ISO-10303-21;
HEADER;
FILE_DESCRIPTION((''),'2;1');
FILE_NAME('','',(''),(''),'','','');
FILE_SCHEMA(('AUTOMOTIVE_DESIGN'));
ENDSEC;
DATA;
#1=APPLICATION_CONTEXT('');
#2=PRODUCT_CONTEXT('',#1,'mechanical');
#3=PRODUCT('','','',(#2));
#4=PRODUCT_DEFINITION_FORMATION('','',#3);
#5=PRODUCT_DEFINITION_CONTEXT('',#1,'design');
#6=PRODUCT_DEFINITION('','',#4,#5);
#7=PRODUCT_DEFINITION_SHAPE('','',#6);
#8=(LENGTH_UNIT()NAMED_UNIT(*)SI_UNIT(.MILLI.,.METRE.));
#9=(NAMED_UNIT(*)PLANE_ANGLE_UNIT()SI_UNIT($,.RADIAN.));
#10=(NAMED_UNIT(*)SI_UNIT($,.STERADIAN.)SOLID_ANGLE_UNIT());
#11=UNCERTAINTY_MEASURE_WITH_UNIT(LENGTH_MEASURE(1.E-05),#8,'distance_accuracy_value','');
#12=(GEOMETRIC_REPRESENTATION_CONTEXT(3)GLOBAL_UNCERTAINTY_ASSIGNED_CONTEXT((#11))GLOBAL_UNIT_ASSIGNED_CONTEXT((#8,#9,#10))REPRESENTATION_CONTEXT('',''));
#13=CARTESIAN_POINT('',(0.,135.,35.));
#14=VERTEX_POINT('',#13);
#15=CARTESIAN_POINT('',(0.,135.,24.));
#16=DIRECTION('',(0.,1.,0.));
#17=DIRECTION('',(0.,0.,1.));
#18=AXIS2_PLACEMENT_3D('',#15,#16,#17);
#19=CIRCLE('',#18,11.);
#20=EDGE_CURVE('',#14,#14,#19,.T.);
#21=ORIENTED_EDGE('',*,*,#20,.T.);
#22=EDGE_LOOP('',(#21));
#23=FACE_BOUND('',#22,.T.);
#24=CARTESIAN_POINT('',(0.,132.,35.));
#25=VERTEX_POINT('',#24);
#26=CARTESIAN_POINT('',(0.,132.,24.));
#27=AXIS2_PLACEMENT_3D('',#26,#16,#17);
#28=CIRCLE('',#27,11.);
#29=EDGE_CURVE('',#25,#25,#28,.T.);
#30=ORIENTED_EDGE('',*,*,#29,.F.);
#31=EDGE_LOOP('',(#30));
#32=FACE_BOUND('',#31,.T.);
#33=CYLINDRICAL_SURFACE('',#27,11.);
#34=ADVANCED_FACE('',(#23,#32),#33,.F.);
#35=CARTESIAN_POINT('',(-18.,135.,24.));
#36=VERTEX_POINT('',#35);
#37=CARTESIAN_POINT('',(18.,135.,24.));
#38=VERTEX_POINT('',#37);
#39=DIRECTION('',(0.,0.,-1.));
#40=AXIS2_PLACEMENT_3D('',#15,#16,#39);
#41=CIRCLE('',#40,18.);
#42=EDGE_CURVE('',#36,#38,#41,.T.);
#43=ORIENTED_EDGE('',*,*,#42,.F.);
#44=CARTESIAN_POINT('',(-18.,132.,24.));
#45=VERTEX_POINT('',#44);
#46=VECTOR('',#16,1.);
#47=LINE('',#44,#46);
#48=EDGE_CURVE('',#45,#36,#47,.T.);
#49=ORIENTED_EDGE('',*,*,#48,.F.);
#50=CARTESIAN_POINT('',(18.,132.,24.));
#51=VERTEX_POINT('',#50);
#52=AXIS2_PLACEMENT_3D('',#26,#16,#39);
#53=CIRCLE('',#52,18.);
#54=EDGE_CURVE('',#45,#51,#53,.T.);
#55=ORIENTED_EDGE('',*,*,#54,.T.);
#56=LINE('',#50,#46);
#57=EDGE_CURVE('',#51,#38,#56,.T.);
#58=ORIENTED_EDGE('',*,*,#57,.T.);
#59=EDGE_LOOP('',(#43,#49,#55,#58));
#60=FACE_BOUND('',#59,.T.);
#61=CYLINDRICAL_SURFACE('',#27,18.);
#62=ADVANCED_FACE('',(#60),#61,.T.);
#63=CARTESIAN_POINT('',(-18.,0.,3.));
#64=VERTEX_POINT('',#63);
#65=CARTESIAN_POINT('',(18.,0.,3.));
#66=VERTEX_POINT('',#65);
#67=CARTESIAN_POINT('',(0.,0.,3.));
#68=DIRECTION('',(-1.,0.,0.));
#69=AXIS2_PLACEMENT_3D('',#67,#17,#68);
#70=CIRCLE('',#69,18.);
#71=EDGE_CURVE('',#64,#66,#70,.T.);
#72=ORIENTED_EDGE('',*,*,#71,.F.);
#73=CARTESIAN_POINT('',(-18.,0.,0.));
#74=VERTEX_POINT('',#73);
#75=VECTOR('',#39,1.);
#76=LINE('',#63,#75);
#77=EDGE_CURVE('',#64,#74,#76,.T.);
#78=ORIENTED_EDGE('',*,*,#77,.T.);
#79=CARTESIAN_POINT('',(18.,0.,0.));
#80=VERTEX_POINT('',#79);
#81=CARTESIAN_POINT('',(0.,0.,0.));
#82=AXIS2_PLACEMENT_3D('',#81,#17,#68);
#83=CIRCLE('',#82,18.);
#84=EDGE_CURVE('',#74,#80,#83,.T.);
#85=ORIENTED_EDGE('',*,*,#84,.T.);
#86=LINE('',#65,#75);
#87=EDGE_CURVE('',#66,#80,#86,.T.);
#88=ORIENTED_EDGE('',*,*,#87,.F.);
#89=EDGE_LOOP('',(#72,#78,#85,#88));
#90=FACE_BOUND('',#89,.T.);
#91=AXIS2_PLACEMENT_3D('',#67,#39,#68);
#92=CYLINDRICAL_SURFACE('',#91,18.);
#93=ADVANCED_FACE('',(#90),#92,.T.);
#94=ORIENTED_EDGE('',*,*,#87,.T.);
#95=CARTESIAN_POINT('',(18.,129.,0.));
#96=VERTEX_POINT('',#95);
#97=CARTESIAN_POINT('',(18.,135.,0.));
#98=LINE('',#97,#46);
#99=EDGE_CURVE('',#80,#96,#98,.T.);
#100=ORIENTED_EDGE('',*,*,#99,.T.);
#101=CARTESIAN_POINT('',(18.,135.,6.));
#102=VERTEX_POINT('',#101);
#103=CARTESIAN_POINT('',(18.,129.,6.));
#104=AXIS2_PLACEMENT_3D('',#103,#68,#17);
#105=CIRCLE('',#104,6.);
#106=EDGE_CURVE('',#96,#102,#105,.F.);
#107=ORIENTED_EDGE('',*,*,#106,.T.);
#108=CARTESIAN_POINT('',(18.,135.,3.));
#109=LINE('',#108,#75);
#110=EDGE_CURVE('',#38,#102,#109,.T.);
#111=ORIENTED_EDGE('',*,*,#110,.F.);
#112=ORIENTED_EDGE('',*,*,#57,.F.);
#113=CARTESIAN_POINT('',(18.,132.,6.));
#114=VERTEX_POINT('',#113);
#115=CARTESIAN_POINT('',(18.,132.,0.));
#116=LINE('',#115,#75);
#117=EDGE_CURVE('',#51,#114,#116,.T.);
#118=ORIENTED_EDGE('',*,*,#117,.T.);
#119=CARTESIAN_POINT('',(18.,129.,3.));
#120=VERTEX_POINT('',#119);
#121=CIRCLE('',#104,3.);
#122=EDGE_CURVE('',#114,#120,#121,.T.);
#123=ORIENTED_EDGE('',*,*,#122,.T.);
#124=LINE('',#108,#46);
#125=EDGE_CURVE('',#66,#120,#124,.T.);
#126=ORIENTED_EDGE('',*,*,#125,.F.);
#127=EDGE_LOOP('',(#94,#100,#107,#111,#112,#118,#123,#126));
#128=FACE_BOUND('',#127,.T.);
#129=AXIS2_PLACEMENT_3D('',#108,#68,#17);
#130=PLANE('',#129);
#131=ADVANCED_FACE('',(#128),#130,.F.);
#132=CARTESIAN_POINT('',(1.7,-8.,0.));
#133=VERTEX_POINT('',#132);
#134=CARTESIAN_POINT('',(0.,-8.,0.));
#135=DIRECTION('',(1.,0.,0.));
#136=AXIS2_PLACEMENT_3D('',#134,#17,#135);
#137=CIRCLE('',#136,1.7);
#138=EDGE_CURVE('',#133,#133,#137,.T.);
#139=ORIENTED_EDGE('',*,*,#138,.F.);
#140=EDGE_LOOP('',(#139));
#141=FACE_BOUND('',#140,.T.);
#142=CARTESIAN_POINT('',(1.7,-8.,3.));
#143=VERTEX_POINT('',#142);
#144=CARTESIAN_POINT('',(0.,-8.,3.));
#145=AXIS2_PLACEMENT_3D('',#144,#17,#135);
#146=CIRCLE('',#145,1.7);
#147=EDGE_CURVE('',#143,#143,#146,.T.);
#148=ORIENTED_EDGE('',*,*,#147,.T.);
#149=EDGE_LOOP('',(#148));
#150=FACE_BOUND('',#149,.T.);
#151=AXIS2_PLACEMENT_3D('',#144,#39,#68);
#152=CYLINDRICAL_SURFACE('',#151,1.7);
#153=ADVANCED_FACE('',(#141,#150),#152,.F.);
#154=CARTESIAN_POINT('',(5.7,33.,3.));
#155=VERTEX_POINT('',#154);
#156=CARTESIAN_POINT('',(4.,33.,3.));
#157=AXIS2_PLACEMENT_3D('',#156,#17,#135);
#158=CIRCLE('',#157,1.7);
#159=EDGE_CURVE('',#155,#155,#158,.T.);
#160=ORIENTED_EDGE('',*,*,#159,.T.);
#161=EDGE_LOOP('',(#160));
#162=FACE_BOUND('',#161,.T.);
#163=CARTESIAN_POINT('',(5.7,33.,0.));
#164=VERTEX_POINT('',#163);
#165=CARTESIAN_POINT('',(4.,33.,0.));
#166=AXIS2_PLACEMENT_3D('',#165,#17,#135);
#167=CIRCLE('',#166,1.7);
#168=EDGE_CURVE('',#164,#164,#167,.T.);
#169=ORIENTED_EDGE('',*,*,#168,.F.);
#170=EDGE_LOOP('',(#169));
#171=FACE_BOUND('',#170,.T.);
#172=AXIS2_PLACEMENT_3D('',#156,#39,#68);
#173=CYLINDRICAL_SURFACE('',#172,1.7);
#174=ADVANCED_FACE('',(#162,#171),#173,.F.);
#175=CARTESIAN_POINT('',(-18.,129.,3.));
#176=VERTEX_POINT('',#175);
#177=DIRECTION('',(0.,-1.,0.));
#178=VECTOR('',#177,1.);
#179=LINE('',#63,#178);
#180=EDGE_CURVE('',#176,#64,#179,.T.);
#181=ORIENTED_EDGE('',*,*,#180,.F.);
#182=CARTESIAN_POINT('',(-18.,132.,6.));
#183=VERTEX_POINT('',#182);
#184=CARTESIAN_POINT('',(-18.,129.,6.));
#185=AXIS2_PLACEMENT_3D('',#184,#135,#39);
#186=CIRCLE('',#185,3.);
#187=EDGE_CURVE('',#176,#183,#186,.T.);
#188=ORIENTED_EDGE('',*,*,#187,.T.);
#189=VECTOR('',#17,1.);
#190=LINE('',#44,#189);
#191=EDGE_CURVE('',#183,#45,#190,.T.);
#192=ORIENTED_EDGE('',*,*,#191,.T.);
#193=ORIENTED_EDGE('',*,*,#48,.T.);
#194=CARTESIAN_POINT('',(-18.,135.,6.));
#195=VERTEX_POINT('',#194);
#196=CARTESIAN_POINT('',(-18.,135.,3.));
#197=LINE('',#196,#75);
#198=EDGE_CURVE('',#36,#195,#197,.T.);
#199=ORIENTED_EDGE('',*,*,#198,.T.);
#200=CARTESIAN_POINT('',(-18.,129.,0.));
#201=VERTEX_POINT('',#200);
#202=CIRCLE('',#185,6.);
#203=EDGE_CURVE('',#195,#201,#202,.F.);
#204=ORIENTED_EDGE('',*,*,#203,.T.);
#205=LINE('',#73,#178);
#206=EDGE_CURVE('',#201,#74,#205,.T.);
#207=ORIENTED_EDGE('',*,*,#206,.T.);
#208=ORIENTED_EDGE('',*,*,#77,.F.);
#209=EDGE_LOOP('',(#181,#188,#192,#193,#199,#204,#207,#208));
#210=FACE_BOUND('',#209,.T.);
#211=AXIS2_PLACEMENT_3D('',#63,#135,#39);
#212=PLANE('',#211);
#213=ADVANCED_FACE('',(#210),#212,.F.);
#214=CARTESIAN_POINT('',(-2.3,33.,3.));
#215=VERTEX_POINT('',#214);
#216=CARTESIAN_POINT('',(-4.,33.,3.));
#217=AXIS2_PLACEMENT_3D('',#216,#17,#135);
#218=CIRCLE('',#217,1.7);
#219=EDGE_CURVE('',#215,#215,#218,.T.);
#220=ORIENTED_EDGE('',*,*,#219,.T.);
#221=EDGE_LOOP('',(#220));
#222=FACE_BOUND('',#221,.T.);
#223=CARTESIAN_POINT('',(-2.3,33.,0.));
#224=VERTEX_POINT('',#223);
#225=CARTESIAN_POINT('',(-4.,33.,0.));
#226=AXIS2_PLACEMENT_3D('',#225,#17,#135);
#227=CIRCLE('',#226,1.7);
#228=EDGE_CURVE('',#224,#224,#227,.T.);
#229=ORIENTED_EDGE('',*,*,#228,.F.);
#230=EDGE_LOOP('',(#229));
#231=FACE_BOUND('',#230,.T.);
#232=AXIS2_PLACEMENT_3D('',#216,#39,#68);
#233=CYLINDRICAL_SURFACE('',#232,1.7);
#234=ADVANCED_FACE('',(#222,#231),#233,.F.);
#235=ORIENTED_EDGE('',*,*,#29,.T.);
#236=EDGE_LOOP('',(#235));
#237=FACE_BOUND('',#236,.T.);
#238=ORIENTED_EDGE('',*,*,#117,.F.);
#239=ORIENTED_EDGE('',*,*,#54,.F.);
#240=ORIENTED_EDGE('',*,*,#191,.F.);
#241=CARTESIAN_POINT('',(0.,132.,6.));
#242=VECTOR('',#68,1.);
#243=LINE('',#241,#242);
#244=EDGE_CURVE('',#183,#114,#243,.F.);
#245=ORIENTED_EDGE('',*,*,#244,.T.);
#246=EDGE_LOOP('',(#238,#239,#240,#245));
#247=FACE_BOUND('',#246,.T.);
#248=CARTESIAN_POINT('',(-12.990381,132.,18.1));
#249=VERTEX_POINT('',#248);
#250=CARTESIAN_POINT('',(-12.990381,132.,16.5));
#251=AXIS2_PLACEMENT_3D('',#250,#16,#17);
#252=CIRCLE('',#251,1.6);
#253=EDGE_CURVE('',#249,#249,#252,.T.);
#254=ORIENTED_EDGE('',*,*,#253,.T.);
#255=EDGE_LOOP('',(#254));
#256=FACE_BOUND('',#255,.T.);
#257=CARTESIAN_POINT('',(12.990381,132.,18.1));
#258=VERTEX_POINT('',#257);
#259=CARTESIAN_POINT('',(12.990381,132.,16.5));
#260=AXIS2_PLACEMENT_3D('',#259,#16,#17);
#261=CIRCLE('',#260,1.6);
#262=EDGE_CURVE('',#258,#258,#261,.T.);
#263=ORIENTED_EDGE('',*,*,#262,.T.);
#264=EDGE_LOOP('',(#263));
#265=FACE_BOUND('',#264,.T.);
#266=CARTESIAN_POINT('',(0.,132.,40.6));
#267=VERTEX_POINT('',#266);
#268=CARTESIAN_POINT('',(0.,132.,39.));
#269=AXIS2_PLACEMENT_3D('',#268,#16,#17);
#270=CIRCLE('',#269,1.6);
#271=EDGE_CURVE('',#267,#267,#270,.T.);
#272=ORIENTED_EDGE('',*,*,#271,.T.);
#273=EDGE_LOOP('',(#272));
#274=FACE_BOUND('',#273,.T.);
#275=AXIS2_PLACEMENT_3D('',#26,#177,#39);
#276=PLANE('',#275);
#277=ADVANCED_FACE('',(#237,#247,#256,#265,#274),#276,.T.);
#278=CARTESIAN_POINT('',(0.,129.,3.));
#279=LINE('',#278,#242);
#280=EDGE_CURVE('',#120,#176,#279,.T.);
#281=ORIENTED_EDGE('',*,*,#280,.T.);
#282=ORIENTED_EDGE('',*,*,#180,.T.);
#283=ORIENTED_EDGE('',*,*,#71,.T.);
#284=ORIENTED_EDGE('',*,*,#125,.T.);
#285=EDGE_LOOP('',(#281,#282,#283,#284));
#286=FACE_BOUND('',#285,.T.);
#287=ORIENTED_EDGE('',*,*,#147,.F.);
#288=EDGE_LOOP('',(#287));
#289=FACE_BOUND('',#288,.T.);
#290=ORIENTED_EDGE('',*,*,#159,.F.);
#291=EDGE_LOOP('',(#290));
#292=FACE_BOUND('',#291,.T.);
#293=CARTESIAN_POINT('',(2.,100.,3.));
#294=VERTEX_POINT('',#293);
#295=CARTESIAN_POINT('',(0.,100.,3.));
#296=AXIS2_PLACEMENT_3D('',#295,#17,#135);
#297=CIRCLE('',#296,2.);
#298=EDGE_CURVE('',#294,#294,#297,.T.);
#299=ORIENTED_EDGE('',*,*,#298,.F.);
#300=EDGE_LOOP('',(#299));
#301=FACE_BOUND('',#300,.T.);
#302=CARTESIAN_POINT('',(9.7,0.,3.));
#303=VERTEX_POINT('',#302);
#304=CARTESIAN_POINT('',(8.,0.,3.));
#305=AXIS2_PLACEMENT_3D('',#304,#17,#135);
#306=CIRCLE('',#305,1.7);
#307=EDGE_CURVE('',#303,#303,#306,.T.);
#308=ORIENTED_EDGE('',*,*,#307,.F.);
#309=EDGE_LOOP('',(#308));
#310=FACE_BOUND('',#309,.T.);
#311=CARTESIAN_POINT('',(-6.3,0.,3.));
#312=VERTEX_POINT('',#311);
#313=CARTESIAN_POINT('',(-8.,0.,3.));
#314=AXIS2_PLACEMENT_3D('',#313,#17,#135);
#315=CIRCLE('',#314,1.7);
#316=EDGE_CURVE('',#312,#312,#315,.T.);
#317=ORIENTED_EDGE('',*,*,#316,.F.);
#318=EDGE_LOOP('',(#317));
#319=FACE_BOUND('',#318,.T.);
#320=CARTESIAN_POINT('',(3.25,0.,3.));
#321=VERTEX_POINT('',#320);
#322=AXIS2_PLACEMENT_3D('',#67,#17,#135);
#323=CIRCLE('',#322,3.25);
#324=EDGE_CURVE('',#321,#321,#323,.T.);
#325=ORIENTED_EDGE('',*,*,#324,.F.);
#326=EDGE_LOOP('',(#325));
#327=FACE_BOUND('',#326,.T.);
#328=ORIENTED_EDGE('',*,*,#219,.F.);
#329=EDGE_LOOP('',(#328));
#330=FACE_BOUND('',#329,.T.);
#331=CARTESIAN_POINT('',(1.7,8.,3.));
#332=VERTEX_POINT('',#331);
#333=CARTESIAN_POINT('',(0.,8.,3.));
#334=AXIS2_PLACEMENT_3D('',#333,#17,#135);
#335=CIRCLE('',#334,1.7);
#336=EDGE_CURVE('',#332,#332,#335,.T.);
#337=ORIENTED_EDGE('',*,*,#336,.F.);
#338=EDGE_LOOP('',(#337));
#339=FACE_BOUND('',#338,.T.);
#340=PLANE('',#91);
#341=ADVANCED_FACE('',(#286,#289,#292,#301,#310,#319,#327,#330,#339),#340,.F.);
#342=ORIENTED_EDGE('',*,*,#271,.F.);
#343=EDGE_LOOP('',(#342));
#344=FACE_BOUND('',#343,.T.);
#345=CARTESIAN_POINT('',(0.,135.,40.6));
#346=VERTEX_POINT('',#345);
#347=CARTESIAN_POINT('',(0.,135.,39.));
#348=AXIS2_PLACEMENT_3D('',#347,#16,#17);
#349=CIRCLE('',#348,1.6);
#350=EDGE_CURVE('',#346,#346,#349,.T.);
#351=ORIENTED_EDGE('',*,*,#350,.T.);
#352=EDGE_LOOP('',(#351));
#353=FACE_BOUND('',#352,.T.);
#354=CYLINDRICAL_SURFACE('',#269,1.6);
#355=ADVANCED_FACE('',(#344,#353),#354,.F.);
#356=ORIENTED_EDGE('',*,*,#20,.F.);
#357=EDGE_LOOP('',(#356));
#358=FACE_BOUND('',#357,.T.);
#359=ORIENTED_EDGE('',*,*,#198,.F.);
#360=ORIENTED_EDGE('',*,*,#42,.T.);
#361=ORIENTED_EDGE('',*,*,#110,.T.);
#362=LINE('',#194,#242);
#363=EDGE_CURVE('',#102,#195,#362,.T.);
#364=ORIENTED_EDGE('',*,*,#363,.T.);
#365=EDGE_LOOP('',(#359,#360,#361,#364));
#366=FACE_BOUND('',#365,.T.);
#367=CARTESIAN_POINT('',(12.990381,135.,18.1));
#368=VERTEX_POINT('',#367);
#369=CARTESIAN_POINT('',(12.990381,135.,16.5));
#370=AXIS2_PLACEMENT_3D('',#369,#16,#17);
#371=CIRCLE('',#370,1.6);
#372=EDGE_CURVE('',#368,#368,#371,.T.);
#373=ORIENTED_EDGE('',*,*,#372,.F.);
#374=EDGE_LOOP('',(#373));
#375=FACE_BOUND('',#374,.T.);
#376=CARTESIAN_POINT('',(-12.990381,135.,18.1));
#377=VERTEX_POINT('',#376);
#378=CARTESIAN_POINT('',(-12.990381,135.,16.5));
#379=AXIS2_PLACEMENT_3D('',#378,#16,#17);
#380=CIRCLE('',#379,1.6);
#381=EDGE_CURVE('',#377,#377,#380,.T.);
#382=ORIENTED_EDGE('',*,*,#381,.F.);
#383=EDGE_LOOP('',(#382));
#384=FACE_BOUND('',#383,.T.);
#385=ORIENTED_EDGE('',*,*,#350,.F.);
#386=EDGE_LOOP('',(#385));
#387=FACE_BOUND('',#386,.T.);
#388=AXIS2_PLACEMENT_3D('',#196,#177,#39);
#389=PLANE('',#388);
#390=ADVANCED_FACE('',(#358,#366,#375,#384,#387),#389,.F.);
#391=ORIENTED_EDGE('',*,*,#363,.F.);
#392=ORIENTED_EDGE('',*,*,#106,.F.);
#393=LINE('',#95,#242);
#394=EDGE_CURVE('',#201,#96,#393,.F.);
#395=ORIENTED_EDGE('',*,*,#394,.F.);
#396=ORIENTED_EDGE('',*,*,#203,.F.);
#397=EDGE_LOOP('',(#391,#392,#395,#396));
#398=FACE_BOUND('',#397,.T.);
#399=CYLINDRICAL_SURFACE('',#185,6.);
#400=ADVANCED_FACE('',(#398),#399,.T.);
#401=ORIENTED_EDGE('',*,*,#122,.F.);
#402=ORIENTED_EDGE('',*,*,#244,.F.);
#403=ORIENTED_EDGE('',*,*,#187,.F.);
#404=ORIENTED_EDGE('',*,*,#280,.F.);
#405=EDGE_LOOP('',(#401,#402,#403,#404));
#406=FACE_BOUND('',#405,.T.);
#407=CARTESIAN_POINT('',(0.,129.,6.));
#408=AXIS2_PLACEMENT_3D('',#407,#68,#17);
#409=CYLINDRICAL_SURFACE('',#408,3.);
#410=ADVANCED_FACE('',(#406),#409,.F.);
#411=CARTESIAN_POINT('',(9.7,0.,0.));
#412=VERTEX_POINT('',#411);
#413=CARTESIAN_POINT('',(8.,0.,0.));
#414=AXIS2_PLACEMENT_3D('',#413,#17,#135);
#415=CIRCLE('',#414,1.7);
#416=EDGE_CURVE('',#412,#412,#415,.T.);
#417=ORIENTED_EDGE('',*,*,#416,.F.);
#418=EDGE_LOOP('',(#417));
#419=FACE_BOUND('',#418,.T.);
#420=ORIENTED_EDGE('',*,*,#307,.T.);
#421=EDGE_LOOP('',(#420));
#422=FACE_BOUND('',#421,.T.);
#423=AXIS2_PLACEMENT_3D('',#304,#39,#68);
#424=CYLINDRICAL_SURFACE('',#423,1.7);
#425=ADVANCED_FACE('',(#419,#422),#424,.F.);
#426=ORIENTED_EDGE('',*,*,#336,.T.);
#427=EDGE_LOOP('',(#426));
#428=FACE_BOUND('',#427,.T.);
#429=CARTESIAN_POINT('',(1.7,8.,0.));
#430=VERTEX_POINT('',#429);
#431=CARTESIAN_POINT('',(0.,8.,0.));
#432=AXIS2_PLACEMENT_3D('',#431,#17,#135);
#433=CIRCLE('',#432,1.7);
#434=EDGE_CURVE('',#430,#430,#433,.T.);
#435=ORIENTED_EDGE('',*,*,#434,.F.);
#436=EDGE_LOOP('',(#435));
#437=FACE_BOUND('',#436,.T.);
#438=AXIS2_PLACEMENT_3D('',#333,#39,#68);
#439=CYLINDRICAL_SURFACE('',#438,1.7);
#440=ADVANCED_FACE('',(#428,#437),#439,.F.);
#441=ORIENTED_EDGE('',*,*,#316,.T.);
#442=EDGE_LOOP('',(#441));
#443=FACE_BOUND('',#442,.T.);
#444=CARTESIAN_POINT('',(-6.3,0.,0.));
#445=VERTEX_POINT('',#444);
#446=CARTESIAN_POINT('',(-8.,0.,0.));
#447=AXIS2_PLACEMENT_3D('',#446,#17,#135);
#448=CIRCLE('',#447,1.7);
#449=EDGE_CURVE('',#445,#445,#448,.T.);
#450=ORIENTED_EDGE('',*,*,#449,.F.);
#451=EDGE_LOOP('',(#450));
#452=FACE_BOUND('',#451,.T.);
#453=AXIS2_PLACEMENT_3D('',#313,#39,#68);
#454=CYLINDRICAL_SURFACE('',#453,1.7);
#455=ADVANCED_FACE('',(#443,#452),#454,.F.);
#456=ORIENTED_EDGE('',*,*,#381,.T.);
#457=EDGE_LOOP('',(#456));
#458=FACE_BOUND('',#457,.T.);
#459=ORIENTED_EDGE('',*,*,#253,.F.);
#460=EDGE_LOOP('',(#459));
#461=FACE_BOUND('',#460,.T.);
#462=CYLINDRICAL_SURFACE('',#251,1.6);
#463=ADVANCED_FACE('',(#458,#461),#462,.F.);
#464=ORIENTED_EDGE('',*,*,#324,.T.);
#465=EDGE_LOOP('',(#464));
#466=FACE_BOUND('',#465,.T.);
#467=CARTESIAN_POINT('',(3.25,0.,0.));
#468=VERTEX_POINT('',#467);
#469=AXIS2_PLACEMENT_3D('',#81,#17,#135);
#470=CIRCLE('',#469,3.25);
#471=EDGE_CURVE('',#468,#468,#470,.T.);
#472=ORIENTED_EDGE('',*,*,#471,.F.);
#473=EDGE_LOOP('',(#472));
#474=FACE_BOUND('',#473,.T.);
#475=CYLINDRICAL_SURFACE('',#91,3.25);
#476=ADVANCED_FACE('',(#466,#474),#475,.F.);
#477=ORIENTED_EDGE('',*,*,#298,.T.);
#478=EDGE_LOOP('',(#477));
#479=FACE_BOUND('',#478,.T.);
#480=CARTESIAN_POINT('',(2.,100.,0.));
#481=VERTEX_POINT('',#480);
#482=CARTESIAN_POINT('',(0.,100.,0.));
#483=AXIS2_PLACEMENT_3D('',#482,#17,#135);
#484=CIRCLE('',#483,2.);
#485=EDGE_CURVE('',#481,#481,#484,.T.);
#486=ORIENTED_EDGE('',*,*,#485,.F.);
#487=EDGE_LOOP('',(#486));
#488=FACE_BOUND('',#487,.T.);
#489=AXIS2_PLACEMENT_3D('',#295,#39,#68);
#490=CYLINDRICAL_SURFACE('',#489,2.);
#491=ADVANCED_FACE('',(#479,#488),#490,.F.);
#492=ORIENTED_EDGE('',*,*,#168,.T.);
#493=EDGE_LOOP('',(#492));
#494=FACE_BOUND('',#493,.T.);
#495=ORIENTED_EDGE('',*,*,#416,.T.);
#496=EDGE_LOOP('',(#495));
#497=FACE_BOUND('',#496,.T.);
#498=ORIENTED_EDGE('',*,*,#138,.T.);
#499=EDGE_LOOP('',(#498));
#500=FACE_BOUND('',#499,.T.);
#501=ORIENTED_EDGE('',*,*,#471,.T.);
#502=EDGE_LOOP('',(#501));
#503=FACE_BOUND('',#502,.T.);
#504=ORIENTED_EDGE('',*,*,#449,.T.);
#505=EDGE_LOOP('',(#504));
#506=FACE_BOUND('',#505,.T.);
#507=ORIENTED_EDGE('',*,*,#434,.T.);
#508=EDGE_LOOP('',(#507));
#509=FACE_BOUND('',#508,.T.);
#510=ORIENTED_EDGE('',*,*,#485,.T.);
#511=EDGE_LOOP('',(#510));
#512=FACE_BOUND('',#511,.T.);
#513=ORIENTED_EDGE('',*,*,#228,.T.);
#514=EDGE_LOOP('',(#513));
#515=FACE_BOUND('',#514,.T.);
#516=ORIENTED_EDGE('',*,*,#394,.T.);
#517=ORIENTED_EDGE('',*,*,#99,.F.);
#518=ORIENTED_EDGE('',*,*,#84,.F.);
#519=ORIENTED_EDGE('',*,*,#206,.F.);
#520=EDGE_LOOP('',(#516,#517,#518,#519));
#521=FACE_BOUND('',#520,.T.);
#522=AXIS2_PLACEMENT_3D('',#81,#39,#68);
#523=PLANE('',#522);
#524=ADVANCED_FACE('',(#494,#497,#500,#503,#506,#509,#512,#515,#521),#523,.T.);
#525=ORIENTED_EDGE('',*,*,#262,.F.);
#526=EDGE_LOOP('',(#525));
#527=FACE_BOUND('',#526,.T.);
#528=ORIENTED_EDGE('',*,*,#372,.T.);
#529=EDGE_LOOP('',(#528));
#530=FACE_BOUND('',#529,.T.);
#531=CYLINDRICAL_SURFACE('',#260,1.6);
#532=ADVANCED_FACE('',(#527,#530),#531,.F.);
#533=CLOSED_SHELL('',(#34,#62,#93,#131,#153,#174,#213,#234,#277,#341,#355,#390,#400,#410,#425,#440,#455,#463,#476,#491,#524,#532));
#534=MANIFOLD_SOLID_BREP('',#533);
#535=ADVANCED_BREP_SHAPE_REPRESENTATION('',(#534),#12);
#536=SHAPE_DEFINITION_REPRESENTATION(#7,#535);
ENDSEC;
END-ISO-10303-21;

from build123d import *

# Parameters (mm, degrees)
SKETCH_1_R                                 = 3.25
SKETCH_1_R_2                               = 1.7
SKETCH_1_R_3                               = 2
F_01_MAIN_PLATE_135_W36_T3_EST_HOLES_DEPTH = 3
SKETCH_2_R                                 = 11
SKETCH_2_R_2                               = 1.6
F_02_FLANGE_H42_HOLE22_EST_DEPTH           = 3
F_03_BEND_INNER_R3_EST_R                   = 3
F_04_BEND_OUTER_R6_EST_R                   = 6


with BuildPart() as part:
    # 草图1 → 01_Main_plate_135_W36_T3_EST_holes (new body)
    with BuildSketch(Plane.XY):
        with BuildLine():
            Line((-18, 0), (-18, 135))
            Line((-18, 135), (18, 135))
            Line((18, 135), (18, 0))
            ThreePointArc((18, 0), (0, -18), (-18, 0))
        make_face()
        Circle(SKETCH_1_R, mode=Mode.SUBTRACT)
        with Locations((-8, 0)):
            Circle(SKETCH_1_R_2, mode=Mode.SUBTRACT)
        with Locations((8, 0)):
            Circle(SKETCH_1_R_2, mode=Mode.SUBTRACT)
        with Locations((0, -8)):
            Circle(SKETCH_1_R_2, mode=Mode.SUBTRACT)
        with Locations((0, 8)):
            Circle(SKETCH_1_R_2, mode=Mode.SUBTRACT)
        with Locations((-4, 33)):
            Circle(SKETCH_1_R_2, mode=Mode.SUBTRACT)
        with Locations((4, 33)):
            Circle(SKETCH_1_R_2, mode=Mode.SUBTRACT)
        with Locations((0, 100)):
            Circle(SKETCH_1_R_3, mode=Mode.SUBTRACT)
    extrude(amount=F_01_MAIN_PLATE_135_W36_T3_EST_HOLES_DEPTH)

    # 草图2 → 02_Flange_H42_hole22_EST (add)
    with BuildSketch(Plane(origin=(0, 135, 0), x_dir=(1, 0, 0), z_dir=(0, 1, 0))):
        with BuildLine():
            Line((-18, 0), (18, 0))
            Line((18, 0), (18, -24))
            ThreePointArc((18, -24), (0, -42), (-18, -24))
            Line((-18, -24), (-18, 0))
        make_face()
        with Locations(Location((0, -24, 0), (0, 0, 270))):
            Circle(SKETCH_2_R, mode=Mode.SUBTRACT)
        with Locations(Location((0, -39, 0), (0, 0, 270))):
            Circle(SKETCH_2_R_2, mode=Mode.SUBTRACT)
        with Locations(Location((-12.990381, -16.5, 0), (0, 0, 270))):
            Circle(SKETCH_2_R_2, mode=Mode.SUBTRACT)
        with Locations(Location((12.990381, -16.5, 0), (0, 0, 270))):
            Circle(SKETCH_2_R_2, mode=Mode.SUBTRACT)
    extrude(amount=-F_02_FLANGE_H42_HOLE22_EST_DEPTH)

    # 03_Bend_inner_R3_EST
    f_03_bend_inner_r3_est_edges = [part.edges().sort_by_distance(p)[0] for p in [
        (0, 132, 3),
    ]]
    fillet(f_03_bend_inner_r3_est_edges, radius=F_03_BEND_INNER_R3_EST_R)

    # 04_Bend_outer_R6_EST
    f_04_bend_outer_r6_est_edges = [part.edges().sort_by_distance(p)[0] for p in [
        (0, 135, 0),
    ]]
    fillet(f_04_bend_outer_r6_est_edges, radius=F_04_BEND_OUTER_R6_EST_R)


solid = part.part
